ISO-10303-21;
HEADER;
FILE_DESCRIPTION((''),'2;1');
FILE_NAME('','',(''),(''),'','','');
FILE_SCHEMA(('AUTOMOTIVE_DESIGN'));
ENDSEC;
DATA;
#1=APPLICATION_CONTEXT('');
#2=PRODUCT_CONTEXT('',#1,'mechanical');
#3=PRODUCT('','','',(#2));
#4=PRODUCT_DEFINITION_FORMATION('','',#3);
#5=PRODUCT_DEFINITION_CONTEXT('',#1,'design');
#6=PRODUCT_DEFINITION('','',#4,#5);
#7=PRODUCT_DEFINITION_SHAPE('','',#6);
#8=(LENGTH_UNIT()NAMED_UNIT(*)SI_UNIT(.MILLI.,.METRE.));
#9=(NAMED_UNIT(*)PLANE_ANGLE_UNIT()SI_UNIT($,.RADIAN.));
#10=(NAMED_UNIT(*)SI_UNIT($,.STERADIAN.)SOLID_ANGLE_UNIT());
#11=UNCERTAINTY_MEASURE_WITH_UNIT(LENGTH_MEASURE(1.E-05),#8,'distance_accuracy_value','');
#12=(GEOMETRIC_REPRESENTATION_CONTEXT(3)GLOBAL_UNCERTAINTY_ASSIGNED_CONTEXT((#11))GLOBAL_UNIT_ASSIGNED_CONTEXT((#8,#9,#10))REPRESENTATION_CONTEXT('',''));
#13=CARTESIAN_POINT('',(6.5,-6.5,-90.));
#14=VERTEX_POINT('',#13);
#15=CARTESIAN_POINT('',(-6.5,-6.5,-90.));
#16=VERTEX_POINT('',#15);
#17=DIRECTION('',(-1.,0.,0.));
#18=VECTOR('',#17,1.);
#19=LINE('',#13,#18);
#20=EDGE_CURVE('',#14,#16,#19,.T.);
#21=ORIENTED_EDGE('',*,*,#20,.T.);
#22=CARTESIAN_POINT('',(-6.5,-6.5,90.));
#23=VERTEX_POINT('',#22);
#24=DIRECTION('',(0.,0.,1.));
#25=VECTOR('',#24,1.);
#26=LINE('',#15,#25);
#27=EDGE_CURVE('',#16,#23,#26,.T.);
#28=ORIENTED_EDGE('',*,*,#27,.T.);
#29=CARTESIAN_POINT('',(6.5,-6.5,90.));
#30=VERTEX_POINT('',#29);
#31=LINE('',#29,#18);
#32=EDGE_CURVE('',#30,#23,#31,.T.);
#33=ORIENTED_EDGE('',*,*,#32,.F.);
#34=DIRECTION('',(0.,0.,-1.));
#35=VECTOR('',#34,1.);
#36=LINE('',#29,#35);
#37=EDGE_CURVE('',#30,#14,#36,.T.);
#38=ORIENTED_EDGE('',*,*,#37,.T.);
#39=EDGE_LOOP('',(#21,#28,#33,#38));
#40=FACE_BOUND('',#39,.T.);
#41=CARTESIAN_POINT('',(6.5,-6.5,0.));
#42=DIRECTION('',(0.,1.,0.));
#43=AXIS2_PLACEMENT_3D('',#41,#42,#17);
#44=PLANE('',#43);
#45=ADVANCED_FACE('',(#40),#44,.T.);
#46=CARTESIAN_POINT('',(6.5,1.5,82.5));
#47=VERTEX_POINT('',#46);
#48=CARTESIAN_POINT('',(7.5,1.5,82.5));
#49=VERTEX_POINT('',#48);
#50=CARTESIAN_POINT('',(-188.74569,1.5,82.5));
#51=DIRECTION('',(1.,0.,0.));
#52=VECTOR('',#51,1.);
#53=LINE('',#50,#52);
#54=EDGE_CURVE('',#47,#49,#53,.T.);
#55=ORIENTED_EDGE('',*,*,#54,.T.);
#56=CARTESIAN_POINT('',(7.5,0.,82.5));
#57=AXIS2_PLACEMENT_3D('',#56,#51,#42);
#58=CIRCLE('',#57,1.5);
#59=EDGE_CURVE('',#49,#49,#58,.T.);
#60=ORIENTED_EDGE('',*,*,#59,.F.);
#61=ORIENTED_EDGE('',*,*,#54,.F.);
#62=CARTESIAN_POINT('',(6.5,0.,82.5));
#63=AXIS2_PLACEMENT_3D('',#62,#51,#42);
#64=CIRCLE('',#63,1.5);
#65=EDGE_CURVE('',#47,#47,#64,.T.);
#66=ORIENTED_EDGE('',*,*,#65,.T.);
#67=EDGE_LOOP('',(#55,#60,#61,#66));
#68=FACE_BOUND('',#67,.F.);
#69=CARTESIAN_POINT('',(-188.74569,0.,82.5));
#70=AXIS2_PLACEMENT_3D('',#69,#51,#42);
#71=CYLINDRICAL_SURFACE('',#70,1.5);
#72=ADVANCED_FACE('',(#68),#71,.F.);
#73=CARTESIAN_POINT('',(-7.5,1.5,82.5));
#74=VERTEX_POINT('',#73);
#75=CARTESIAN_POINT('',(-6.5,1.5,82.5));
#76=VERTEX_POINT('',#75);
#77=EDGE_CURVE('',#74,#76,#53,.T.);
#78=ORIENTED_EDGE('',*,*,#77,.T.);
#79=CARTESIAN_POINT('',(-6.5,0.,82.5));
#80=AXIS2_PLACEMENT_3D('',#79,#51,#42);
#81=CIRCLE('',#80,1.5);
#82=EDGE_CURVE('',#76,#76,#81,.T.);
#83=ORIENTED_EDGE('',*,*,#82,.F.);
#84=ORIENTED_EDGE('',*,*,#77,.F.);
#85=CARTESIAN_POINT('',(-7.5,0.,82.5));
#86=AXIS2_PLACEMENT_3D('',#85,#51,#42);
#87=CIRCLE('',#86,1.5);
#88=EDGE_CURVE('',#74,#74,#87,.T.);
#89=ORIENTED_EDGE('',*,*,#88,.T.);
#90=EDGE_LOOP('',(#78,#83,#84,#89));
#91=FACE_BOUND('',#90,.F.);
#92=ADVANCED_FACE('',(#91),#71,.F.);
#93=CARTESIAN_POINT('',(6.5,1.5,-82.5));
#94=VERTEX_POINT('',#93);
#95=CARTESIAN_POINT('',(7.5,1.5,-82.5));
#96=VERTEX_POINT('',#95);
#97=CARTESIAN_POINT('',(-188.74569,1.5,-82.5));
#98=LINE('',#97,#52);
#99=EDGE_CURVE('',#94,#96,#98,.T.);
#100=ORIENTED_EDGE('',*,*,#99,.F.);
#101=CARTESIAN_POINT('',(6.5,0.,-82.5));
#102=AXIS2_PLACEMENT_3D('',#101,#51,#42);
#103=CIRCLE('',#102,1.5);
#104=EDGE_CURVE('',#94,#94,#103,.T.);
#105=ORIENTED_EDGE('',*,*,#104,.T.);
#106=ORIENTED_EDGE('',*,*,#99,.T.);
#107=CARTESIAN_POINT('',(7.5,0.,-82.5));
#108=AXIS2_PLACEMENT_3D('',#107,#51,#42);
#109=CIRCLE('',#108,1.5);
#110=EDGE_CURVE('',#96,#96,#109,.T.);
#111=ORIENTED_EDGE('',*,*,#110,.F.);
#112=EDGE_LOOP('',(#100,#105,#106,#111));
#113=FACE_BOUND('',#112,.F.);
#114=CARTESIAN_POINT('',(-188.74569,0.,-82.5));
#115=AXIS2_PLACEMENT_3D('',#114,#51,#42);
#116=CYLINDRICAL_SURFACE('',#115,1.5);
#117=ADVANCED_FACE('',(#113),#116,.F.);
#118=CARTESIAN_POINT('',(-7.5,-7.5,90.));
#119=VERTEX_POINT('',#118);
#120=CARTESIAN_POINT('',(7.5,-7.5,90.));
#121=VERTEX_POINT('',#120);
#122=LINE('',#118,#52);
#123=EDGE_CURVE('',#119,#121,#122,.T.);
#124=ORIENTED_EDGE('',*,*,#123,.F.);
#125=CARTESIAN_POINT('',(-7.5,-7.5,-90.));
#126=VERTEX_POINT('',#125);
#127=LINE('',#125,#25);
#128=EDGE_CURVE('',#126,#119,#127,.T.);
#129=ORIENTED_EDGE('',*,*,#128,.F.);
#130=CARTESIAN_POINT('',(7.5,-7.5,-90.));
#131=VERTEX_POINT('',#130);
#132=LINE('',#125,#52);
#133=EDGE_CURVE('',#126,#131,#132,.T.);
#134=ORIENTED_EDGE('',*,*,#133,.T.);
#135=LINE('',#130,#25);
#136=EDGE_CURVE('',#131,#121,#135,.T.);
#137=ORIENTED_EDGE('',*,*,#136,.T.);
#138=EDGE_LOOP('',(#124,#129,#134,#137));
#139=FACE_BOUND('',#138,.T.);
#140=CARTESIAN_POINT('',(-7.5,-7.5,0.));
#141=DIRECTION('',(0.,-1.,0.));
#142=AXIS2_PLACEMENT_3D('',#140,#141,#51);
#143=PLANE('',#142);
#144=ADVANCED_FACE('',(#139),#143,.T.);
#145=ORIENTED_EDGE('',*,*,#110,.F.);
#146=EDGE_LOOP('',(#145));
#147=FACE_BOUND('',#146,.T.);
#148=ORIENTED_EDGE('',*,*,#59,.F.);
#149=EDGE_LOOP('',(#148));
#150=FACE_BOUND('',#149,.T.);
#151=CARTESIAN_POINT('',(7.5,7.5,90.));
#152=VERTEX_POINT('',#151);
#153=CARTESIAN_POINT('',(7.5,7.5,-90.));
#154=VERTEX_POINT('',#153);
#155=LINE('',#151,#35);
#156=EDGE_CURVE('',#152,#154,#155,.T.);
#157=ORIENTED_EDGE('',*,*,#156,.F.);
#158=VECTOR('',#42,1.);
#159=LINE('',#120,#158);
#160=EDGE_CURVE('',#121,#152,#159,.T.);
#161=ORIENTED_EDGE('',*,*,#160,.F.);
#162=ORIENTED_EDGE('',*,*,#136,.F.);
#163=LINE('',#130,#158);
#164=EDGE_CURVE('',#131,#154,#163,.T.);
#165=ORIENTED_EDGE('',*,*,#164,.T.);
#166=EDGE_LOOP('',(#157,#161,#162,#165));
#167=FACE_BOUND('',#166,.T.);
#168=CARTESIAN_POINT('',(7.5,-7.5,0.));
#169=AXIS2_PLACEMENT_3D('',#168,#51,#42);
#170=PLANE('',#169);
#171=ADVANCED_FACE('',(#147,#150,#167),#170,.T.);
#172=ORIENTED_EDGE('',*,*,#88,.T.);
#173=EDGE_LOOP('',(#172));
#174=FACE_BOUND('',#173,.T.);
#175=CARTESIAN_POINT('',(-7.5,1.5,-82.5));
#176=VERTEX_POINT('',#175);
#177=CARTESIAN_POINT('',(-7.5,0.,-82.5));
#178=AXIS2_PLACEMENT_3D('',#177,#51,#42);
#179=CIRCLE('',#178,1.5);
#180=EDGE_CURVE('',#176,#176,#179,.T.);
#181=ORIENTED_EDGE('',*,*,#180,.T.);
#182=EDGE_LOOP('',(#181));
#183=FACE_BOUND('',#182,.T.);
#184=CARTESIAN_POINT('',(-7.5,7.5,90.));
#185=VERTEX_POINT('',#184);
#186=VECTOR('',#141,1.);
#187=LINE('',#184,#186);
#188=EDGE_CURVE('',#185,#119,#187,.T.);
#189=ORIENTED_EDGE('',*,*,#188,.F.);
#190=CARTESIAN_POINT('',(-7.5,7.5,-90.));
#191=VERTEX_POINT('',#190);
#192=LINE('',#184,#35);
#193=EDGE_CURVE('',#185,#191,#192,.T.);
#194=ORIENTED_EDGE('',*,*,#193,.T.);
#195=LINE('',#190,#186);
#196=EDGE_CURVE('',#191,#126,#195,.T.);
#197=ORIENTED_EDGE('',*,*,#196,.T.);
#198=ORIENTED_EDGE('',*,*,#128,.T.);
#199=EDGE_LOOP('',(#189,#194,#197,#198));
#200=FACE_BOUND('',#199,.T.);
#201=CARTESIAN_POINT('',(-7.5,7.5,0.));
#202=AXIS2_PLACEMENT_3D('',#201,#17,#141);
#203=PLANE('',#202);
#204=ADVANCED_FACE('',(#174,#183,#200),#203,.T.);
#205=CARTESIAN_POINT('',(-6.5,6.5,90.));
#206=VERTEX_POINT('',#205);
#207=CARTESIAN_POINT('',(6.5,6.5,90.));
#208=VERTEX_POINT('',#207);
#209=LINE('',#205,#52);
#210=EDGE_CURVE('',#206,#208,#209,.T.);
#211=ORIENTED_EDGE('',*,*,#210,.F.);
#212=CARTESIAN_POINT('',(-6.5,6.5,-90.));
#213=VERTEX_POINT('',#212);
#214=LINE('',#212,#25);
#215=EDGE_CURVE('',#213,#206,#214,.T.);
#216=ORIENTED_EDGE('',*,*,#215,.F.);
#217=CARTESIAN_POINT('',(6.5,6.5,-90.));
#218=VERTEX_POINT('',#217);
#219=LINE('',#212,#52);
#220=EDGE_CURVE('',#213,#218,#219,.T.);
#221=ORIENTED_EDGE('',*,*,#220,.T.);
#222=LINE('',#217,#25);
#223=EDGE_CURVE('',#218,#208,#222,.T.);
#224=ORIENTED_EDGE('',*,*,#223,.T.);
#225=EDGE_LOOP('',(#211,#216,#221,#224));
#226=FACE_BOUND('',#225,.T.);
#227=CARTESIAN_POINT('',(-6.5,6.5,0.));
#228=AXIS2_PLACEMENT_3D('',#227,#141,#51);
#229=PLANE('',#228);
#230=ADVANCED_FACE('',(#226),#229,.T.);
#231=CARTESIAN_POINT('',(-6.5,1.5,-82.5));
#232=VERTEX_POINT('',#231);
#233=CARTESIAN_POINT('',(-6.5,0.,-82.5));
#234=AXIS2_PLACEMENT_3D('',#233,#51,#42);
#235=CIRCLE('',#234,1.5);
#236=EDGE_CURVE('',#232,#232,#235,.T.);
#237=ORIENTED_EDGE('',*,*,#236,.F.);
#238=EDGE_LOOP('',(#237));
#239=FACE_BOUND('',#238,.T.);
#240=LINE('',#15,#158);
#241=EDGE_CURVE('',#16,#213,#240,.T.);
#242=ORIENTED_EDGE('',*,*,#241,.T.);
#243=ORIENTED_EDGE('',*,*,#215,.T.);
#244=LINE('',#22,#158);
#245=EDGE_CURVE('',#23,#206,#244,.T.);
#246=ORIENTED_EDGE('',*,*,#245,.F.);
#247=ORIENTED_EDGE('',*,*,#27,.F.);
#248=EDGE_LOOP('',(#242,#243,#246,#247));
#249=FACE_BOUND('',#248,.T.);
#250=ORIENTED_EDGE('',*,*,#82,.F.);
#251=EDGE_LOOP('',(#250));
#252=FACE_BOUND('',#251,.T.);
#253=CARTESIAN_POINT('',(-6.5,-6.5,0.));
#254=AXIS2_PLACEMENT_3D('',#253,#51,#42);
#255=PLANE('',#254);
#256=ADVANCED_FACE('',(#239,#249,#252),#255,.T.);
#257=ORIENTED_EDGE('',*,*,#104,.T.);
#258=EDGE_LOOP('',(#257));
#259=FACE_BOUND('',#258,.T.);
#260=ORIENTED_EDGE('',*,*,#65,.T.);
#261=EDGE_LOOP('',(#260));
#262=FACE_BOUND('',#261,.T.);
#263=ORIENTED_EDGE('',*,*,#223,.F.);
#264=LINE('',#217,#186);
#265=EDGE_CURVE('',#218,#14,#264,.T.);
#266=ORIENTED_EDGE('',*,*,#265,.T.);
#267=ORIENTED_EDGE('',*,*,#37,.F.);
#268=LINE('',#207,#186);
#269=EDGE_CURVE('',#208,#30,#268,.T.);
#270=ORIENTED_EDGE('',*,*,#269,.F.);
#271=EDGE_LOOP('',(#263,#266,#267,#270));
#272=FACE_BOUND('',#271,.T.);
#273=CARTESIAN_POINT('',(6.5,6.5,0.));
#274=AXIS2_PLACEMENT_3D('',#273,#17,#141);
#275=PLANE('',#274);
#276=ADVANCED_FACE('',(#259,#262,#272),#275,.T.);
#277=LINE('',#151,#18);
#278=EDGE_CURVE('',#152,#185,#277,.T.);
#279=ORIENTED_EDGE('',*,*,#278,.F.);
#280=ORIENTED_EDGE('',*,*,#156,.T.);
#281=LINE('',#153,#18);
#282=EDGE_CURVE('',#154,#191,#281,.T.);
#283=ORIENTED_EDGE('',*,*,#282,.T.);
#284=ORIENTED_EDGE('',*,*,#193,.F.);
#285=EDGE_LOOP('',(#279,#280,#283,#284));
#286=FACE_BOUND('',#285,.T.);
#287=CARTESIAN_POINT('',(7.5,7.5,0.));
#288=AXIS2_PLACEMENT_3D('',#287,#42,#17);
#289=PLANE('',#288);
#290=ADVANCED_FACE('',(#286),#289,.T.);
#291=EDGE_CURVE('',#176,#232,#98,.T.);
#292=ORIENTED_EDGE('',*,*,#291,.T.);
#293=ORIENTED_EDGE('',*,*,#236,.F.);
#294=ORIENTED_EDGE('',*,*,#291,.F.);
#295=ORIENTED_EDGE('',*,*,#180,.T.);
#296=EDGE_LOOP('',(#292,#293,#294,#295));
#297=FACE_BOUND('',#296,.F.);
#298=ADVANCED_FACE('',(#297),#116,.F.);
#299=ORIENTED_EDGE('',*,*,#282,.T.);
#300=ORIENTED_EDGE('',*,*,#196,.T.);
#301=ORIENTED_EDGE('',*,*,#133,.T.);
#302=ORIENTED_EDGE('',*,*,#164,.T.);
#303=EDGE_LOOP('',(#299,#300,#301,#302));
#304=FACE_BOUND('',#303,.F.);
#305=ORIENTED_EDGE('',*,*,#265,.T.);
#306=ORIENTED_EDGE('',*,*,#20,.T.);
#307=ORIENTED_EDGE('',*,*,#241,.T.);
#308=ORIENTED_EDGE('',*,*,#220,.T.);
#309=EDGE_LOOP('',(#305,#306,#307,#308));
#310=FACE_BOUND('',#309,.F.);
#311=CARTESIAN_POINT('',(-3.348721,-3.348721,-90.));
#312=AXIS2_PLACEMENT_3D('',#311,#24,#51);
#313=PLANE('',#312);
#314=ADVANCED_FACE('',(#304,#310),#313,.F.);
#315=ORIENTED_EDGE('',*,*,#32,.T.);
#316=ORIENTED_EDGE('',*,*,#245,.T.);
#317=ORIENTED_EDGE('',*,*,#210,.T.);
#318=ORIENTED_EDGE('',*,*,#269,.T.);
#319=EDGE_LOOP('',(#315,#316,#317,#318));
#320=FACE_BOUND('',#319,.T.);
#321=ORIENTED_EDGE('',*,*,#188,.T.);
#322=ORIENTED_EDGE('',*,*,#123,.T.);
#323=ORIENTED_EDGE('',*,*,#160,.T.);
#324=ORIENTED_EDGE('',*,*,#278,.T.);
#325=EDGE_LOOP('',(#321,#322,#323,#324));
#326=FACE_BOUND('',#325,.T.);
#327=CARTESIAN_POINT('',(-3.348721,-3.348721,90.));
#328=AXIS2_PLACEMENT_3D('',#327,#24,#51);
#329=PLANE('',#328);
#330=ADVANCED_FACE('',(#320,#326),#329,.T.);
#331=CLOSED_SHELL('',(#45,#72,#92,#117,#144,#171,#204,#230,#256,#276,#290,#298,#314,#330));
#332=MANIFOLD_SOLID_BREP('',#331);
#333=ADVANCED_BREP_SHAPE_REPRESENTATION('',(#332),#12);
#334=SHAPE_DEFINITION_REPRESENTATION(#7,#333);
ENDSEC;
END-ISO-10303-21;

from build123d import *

# Parameters (mm, degrees)
F1_DEPTH = 90
F3_D     = 3


with BuildPart() as f1:
    # F0 (on Top) → F1 (new body, symmetric)
    with BuildSketch(Plane.XY):
        Polygon((-6.5, 6.5), (-7.5, 7.5), (-7.5, -7.5), (7.5, -7.5), (6.5, -6.5), (-6.5, -6.5), align=None)
        Polygon((7.5, 7.5), (-7.5, 7.5), (-6.5, 6.5), (6.5, 6.5), (6.5, -6.5), (7.5, -7.5), align=None)
    extrude(amount=F1_DEPTH, both=True)

    # F3 (through all)
    with Locations(Plane(origin=(-7.5, 0, 0), x_dir=(0, -1, 0), z_dir=(-1, 0, 0))):
        with Locations((0, 82.5), (0, -82.5)):
            Hole(F3_D / 2)


solid = f1.part
